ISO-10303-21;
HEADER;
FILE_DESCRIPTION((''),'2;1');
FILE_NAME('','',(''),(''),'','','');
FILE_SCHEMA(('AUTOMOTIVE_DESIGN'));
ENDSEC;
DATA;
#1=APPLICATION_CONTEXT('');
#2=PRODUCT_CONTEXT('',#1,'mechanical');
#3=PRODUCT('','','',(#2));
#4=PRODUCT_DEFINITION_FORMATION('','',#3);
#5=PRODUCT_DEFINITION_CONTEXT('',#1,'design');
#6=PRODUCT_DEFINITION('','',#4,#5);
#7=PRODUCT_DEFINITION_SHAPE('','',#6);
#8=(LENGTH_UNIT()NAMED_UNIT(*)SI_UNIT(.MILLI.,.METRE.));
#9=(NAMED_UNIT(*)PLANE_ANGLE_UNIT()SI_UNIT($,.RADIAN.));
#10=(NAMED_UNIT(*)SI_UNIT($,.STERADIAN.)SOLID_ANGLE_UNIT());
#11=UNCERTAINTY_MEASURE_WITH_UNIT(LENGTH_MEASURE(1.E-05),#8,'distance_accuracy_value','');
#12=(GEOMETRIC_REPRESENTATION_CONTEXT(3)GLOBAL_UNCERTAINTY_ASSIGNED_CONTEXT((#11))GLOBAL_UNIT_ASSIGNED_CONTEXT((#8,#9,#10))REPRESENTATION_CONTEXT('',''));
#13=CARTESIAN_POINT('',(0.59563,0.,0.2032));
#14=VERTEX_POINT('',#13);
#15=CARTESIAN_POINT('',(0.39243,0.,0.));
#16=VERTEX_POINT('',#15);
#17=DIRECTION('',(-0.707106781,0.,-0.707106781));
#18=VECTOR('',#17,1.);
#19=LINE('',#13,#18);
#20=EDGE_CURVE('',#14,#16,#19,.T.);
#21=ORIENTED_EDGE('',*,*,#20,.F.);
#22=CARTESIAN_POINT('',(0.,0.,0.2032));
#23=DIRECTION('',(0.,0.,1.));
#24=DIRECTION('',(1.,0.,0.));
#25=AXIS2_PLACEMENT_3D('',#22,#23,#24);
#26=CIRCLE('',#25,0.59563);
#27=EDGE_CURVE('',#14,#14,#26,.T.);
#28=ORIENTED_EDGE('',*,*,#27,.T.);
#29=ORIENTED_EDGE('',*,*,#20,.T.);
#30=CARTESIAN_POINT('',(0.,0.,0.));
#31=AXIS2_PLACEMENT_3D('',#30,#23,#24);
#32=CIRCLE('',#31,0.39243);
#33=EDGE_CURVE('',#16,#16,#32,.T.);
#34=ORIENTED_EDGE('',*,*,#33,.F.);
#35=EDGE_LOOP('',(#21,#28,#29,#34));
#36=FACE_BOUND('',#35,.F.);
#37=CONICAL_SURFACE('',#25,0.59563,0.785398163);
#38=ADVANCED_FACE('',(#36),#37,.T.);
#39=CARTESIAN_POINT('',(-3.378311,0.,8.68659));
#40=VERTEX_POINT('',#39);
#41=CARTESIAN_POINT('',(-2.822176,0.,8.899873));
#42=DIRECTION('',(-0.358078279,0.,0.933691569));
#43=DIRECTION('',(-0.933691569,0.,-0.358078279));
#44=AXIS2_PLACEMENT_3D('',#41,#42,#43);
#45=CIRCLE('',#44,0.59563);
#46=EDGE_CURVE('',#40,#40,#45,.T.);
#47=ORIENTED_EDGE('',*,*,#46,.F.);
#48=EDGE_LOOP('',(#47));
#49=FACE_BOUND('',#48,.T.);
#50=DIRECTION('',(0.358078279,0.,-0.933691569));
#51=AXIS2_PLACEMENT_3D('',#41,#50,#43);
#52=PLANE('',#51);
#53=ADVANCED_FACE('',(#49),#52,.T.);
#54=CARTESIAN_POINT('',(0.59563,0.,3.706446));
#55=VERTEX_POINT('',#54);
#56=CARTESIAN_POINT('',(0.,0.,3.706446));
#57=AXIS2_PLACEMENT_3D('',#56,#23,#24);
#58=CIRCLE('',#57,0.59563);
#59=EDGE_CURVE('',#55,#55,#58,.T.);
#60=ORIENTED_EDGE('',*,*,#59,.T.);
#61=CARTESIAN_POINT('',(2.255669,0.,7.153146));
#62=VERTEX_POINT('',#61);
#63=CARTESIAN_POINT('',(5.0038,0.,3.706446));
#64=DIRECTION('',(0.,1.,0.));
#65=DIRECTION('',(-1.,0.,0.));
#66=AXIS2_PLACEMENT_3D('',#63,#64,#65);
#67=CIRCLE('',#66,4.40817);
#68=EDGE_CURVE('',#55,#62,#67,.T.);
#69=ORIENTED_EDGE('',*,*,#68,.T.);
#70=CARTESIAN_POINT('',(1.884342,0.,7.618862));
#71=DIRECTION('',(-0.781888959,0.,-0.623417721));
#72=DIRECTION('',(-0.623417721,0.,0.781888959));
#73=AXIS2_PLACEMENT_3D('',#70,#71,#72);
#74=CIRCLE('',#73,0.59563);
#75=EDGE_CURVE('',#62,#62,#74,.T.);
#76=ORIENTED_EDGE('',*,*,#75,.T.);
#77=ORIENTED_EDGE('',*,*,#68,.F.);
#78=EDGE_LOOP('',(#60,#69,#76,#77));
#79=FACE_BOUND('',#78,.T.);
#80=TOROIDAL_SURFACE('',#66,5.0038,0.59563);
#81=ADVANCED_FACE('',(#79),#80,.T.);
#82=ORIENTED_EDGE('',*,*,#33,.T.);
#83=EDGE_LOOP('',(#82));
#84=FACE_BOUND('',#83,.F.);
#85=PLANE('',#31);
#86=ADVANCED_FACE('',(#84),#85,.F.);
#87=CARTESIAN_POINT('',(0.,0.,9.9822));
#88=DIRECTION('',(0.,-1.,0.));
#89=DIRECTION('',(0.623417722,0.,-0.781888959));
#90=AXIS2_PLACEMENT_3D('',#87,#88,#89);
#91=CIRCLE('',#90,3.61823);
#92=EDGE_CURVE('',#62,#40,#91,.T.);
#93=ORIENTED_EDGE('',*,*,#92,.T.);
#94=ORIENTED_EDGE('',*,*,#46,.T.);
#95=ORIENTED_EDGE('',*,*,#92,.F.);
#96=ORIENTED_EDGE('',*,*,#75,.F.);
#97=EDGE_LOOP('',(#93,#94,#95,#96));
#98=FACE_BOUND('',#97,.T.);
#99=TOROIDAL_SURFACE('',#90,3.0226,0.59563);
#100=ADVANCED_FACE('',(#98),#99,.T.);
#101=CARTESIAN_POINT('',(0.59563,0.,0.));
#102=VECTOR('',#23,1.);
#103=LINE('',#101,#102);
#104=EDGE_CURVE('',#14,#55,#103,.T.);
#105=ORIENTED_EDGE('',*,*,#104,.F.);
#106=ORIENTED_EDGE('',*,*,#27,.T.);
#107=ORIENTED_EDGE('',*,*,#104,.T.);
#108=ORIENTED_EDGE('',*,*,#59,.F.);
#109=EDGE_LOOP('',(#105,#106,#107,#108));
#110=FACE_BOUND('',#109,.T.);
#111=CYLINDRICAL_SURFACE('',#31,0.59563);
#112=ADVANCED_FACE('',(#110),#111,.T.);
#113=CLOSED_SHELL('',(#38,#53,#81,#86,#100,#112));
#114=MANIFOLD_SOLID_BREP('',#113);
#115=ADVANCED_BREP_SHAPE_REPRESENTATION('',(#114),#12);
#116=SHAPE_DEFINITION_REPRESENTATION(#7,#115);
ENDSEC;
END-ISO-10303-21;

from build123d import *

# Parameters (mm, degrees)
F1_R    = 0.59563
F3_SIZE = 0.2032


with BuildPart() as f2:
    # F2: sweep along a path in F0
    with BuildLine(Plane.XZ) as f2_path:
        Line((0, 0), (0, 3.706446458))
        ThreePointArc((0, 3.706446458), (0.4956320598, 5.87772172), (1.8843424051, 7.618862432))
        ThreePointArc((1.8843424051, 7.618862432), (0.7938071461, 12.8987014958), (-2.8221761363, 8.8998725932))
    # F1 (on Top) → F2 (sweep)
    with BuildSketch(Plane.XY):
        Circle(F1_R)
    sweep(path=f2_path.line)

    # F3
    f3_edges = [f2.edges().sort_by_distance(p)[0] for p in [
        (-0.59563, 0, 0),
    ]]
    chamfer(f3_edges, length=F3_SIZE)


solid = f2.part
